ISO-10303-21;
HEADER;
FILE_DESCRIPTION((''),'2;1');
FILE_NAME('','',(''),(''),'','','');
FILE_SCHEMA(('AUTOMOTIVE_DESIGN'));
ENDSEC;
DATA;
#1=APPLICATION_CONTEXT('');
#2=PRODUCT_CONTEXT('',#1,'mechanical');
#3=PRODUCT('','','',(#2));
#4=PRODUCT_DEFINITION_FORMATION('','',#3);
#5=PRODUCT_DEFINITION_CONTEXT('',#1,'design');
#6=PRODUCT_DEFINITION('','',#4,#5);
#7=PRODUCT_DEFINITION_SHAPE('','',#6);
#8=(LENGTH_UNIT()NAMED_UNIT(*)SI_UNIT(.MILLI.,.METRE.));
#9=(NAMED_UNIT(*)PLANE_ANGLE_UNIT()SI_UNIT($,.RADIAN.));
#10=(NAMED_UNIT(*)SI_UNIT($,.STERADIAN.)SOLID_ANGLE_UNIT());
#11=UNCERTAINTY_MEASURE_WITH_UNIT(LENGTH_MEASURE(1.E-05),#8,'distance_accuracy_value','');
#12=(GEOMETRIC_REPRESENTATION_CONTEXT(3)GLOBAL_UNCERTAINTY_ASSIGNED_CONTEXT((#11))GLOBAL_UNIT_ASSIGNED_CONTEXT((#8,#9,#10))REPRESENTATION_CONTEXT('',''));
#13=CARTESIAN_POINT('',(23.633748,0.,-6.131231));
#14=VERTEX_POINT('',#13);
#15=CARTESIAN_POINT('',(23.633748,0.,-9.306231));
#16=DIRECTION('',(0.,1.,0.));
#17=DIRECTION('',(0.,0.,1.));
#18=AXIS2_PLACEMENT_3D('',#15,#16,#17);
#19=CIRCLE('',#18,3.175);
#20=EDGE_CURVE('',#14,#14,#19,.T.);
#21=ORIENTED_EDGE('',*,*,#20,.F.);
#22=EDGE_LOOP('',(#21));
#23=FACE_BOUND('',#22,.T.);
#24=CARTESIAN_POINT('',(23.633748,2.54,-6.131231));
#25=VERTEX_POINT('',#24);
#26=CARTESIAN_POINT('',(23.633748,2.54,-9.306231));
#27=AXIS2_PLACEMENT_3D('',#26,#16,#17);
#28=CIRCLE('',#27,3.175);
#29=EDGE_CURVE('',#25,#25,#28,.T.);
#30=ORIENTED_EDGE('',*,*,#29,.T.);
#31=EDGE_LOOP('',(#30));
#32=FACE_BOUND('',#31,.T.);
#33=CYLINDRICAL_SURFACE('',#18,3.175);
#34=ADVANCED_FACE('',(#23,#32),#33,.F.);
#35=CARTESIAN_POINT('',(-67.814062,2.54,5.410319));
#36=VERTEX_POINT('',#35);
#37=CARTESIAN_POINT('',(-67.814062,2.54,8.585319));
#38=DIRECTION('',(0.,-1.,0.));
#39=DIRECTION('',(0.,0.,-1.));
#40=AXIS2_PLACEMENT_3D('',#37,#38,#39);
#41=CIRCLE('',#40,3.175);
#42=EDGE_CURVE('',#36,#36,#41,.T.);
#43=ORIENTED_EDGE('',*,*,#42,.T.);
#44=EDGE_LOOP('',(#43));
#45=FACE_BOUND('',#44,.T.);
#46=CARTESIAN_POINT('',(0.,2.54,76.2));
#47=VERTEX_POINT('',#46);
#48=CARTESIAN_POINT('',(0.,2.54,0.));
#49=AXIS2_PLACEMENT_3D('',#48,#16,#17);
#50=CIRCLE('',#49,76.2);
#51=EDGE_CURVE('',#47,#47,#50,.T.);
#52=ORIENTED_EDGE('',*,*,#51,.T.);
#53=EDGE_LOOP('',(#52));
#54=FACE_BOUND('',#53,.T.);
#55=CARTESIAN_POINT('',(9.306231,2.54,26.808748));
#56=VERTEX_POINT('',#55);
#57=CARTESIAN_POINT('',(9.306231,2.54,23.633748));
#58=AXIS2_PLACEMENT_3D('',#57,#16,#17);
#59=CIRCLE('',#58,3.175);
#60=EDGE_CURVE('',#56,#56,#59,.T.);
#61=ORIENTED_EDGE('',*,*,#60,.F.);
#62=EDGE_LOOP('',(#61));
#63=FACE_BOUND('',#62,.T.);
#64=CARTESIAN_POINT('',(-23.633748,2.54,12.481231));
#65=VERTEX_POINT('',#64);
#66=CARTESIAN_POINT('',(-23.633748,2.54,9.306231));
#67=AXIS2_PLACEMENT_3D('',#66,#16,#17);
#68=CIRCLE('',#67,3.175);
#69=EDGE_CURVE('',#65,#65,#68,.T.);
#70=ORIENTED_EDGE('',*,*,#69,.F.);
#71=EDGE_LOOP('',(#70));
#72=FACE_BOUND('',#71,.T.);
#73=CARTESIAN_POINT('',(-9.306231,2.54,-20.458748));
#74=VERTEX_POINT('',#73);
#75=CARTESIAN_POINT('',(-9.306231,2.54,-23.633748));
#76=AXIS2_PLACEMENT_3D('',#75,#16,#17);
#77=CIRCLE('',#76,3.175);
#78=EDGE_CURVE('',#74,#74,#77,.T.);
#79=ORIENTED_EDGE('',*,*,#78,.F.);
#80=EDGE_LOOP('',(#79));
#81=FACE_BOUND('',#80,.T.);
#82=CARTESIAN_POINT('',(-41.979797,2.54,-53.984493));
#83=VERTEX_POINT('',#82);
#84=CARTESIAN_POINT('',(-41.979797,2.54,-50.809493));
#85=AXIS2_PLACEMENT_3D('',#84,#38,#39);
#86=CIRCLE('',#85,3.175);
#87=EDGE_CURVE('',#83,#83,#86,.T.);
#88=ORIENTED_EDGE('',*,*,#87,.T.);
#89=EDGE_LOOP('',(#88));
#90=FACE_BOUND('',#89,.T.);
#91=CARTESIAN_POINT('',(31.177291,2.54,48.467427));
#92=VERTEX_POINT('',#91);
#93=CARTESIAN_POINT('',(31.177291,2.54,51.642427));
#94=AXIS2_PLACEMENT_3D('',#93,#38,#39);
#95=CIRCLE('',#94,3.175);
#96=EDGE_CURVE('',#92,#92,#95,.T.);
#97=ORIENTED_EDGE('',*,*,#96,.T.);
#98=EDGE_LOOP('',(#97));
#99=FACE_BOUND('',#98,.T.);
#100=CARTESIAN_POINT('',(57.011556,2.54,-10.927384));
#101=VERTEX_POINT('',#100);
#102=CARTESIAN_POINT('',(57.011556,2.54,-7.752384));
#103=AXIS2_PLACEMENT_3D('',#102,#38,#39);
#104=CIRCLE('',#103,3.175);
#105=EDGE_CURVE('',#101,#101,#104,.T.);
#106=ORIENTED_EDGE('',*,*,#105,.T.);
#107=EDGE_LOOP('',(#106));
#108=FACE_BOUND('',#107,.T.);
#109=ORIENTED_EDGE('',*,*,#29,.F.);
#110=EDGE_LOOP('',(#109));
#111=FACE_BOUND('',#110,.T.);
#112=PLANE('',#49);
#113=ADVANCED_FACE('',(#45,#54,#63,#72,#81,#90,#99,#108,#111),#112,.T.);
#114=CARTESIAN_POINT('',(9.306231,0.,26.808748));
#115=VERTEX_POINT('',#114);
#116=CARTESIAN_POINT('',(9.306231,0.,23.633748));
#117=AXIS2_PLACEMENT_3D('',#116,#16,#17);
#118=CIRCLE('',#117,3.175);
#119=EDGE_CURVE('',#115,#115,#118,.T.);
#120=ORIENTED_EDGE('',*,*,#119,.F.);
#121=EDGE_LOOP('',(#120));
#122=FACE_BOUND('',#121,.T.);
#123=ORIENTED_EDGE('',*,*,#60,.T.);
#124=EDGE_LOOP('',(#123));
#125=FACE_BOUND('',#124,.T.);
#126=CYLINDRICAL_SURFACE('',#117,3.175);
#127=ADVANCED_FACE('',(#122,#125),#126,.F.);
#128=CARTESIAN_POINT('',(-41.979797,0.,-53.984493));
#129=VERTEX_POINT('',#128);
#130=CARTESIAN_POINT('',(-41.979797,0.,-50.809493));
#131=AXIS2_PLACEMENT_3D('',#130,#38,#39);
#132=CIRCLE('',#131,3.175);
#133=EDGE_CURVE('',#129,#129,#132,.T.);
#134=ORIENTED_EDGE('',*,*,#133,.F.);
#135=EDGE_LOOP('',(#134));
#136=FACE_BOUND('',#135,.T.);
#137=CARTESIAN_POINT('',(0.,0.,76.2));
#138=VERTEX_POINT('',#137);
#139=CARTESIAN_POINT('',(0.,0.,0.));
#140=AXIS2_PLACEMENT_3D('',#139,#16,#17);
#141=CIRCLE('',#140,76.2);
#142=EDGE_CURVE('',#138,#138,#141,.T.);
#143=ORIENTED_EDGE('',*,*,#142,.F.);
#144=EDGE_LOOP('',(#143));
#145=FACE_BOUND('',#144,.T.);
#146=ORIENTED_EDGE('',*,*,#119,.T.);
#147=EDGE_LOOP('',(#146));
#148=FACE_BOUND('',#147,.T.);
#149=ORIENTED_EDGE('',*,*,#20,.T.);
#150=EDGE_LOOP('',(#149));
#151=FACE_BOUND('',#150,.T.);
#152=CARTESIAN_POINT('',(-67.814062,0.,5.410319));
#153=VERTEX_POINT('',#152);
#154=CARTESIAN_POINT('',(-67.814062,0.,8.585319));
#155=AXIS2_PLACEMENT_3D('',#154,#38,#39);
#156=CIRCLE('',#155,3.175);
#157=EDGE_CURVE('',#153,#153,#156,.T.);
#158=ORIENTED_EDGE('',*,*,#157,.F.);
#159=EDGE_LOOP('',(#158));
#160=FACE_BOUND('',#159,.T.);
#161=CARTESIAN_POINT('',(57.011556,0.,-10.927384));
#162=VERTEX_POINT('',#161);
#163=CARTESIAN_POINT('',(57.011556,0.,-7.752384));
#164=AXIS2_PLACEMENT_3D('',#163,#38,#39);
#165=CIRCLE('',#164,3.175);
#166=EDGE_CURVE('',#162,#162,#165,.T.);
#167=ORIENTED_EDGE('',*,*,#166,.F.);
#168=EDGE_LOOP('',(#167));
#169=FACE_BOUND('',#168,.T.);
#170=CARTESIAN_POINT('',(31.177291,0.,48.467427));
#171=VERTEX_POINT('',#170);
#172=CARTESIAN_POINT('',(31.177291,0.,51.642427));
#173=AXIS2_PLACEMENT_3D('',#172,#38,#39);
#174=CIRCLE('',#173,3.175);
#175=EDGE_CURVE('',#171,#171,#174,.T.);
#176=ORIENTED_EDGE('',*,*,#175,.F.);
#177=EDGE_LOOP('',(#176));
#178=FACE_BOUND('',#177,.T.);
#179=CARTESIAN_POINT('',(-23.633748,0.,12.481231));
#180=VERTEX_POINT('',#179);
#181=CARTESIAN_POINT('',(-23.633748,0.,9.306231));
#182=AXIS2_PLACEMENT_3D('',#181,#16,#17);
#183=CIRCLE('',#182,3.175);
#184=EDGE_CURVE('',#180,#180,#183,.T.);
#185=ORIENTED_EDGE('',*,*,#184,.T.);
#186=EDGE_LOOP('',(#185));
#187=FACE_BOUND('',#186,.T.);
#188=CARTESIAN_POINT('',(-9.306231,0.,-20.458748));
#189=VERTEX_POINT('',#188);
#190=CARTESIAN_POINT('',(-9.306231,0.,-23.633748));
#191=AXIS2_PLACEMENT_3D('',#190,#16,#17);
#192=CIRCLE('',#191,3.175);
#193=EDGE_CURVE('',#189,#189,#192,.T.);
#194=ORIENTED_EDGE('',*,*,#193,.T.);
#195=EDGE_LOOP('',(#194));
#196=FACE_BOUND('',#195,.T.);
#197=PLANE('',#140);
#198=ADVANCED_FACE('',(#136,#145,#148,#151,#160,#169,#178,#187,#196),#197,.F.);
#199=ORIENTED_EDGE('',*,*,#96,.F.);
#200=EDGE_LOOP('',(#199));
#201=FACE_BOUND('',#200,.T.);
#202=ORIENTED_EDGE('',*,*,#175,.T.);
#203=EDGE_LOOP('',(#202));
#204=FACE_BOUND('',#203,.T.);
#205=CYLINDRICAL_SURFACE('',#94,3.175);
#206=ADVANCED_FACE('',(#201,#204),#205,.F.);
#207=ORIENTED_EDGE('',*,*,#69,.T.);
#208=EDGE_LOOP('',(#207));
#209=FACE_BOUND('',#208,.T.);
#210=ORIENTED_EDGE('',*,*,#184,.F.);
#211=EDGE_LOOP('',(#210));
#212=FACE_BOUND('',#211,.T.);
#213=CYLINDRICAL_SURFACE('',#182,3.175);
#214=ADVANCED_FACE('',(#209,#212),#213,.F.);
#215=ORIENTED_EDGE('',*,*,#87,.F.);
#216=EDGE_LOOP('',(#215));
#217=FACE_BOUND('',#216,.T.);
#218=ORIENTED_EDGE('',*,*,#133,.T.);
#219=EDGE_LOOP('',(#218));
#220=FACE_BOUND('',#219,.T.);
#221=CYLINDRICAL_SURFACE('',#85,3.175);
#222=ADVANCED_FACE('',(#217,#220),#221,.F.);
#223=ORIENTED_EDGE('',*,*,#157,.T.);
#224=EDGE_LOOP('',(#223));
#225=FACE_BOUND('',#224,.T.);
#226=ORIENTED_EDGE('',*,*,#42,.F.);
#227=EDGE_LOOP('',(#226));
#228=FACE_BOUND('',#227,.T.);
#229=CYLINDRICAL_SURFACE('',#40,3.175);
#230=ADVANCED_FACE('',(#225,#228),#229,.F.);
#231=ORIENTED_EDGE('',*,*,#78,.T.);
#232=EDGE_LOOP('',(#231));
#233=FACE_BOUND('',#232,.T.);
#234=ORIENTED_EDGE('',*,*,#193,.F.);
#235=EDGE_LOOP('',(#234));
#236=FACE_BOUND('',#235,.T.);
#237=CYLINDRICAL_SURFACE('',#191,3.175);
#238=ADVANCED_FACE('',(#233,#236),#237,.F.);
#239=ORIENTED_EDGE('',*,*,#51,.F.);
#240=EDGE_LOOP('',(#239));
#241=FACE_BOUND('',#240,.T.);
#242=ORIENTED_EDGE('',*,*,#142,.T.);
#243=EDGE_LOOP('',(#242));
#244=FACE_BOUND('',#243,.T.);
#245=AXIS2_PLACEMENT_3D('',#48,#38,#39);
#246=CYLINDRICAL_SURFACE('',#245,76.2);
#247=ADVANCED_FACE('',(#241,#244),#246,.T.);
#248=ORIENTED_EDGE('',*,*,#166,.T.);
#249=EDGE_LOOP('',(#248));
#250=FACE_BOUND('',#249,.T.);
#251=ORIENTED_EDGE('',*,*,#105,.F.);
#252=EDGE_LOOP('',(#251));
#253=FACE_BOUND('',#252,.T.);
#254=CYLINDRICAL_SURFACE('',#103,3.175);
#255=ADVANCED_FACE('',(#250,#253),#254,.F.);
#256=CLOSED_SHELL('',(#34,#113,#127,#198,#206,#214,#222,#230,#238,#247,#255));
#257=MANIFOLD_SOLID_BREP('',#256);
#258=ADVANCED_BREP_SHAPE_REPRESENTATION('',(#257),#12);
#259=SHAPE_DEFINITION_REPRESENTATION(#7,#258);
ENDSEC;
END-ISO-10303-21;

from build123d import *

# Parameters (mm, degrees)
SKETCH1_R           = 76.2
BOSS_EXTRUDE1_DEPTH = 2.54
SKETCH2_R           = 3.175
CUT_EXTRUDE1_DEPTH  = 2.54
SKETCH4_R           = 3.175
CUT_EXTRUDE3_DEPTH  = 3.54


with BuildPart() as part:
    # Sketch1 → Boss-Extrude1 (new body)
    with BuildSketch(Plane(origin=(0, 0, 0), x_dir=(1, 0, 0), z_dir=(0, 1, 0))):
        Circle(SKETCH1_R)
    extrude(amount=BOSS_EXTRUDE1_DEPTH)

    # Sketch2 → Cut-Extrude1 (cut)
    with BuildSketch(Plane.XZ):
        with Locations((-67.814061825, 8.585318756)):
            Circle(SKETCH2_R)
        with Locations((-41.97979671, -50.809492852)):
            Circle(SKETCH2_R)
        with Locations((57.01155597, -7.752384327)):
            Circle(SKETCH2_R)
        with Locations((31.177290855, 51.642427281)):
            Circle(SKETCH2_R)
    extrude(amount=-CUT_EXTRUDE1_DEPTH, mode=Mode.SUBTRACT)

    # Sketch4 → Cut-Extrude3 (cut, through all)
    with BuildSketch(Plane(origin=(0, 2.54, 0), x_dir=(1, 0, 0), z_dir=(0, 1, 0))):
        with Locations((-9.306231375, 23.633748277)):
            Circle(SKETCH4_R)
        with Locations((23.633748277, 9.306231375)):
            Circle(SKETCH4_R)
        with Locations((9.306231375, -23.633748277)):
            Circle(SKETCH4_R)
        with Locations((-23.633748277, -9.306231375)):
            Circle(SKETCH4_R)
    extrude(amount=-CUT_EXTRUDE3_DEPTH, mode=Mode.SUBTRACT)


solid = part.part
